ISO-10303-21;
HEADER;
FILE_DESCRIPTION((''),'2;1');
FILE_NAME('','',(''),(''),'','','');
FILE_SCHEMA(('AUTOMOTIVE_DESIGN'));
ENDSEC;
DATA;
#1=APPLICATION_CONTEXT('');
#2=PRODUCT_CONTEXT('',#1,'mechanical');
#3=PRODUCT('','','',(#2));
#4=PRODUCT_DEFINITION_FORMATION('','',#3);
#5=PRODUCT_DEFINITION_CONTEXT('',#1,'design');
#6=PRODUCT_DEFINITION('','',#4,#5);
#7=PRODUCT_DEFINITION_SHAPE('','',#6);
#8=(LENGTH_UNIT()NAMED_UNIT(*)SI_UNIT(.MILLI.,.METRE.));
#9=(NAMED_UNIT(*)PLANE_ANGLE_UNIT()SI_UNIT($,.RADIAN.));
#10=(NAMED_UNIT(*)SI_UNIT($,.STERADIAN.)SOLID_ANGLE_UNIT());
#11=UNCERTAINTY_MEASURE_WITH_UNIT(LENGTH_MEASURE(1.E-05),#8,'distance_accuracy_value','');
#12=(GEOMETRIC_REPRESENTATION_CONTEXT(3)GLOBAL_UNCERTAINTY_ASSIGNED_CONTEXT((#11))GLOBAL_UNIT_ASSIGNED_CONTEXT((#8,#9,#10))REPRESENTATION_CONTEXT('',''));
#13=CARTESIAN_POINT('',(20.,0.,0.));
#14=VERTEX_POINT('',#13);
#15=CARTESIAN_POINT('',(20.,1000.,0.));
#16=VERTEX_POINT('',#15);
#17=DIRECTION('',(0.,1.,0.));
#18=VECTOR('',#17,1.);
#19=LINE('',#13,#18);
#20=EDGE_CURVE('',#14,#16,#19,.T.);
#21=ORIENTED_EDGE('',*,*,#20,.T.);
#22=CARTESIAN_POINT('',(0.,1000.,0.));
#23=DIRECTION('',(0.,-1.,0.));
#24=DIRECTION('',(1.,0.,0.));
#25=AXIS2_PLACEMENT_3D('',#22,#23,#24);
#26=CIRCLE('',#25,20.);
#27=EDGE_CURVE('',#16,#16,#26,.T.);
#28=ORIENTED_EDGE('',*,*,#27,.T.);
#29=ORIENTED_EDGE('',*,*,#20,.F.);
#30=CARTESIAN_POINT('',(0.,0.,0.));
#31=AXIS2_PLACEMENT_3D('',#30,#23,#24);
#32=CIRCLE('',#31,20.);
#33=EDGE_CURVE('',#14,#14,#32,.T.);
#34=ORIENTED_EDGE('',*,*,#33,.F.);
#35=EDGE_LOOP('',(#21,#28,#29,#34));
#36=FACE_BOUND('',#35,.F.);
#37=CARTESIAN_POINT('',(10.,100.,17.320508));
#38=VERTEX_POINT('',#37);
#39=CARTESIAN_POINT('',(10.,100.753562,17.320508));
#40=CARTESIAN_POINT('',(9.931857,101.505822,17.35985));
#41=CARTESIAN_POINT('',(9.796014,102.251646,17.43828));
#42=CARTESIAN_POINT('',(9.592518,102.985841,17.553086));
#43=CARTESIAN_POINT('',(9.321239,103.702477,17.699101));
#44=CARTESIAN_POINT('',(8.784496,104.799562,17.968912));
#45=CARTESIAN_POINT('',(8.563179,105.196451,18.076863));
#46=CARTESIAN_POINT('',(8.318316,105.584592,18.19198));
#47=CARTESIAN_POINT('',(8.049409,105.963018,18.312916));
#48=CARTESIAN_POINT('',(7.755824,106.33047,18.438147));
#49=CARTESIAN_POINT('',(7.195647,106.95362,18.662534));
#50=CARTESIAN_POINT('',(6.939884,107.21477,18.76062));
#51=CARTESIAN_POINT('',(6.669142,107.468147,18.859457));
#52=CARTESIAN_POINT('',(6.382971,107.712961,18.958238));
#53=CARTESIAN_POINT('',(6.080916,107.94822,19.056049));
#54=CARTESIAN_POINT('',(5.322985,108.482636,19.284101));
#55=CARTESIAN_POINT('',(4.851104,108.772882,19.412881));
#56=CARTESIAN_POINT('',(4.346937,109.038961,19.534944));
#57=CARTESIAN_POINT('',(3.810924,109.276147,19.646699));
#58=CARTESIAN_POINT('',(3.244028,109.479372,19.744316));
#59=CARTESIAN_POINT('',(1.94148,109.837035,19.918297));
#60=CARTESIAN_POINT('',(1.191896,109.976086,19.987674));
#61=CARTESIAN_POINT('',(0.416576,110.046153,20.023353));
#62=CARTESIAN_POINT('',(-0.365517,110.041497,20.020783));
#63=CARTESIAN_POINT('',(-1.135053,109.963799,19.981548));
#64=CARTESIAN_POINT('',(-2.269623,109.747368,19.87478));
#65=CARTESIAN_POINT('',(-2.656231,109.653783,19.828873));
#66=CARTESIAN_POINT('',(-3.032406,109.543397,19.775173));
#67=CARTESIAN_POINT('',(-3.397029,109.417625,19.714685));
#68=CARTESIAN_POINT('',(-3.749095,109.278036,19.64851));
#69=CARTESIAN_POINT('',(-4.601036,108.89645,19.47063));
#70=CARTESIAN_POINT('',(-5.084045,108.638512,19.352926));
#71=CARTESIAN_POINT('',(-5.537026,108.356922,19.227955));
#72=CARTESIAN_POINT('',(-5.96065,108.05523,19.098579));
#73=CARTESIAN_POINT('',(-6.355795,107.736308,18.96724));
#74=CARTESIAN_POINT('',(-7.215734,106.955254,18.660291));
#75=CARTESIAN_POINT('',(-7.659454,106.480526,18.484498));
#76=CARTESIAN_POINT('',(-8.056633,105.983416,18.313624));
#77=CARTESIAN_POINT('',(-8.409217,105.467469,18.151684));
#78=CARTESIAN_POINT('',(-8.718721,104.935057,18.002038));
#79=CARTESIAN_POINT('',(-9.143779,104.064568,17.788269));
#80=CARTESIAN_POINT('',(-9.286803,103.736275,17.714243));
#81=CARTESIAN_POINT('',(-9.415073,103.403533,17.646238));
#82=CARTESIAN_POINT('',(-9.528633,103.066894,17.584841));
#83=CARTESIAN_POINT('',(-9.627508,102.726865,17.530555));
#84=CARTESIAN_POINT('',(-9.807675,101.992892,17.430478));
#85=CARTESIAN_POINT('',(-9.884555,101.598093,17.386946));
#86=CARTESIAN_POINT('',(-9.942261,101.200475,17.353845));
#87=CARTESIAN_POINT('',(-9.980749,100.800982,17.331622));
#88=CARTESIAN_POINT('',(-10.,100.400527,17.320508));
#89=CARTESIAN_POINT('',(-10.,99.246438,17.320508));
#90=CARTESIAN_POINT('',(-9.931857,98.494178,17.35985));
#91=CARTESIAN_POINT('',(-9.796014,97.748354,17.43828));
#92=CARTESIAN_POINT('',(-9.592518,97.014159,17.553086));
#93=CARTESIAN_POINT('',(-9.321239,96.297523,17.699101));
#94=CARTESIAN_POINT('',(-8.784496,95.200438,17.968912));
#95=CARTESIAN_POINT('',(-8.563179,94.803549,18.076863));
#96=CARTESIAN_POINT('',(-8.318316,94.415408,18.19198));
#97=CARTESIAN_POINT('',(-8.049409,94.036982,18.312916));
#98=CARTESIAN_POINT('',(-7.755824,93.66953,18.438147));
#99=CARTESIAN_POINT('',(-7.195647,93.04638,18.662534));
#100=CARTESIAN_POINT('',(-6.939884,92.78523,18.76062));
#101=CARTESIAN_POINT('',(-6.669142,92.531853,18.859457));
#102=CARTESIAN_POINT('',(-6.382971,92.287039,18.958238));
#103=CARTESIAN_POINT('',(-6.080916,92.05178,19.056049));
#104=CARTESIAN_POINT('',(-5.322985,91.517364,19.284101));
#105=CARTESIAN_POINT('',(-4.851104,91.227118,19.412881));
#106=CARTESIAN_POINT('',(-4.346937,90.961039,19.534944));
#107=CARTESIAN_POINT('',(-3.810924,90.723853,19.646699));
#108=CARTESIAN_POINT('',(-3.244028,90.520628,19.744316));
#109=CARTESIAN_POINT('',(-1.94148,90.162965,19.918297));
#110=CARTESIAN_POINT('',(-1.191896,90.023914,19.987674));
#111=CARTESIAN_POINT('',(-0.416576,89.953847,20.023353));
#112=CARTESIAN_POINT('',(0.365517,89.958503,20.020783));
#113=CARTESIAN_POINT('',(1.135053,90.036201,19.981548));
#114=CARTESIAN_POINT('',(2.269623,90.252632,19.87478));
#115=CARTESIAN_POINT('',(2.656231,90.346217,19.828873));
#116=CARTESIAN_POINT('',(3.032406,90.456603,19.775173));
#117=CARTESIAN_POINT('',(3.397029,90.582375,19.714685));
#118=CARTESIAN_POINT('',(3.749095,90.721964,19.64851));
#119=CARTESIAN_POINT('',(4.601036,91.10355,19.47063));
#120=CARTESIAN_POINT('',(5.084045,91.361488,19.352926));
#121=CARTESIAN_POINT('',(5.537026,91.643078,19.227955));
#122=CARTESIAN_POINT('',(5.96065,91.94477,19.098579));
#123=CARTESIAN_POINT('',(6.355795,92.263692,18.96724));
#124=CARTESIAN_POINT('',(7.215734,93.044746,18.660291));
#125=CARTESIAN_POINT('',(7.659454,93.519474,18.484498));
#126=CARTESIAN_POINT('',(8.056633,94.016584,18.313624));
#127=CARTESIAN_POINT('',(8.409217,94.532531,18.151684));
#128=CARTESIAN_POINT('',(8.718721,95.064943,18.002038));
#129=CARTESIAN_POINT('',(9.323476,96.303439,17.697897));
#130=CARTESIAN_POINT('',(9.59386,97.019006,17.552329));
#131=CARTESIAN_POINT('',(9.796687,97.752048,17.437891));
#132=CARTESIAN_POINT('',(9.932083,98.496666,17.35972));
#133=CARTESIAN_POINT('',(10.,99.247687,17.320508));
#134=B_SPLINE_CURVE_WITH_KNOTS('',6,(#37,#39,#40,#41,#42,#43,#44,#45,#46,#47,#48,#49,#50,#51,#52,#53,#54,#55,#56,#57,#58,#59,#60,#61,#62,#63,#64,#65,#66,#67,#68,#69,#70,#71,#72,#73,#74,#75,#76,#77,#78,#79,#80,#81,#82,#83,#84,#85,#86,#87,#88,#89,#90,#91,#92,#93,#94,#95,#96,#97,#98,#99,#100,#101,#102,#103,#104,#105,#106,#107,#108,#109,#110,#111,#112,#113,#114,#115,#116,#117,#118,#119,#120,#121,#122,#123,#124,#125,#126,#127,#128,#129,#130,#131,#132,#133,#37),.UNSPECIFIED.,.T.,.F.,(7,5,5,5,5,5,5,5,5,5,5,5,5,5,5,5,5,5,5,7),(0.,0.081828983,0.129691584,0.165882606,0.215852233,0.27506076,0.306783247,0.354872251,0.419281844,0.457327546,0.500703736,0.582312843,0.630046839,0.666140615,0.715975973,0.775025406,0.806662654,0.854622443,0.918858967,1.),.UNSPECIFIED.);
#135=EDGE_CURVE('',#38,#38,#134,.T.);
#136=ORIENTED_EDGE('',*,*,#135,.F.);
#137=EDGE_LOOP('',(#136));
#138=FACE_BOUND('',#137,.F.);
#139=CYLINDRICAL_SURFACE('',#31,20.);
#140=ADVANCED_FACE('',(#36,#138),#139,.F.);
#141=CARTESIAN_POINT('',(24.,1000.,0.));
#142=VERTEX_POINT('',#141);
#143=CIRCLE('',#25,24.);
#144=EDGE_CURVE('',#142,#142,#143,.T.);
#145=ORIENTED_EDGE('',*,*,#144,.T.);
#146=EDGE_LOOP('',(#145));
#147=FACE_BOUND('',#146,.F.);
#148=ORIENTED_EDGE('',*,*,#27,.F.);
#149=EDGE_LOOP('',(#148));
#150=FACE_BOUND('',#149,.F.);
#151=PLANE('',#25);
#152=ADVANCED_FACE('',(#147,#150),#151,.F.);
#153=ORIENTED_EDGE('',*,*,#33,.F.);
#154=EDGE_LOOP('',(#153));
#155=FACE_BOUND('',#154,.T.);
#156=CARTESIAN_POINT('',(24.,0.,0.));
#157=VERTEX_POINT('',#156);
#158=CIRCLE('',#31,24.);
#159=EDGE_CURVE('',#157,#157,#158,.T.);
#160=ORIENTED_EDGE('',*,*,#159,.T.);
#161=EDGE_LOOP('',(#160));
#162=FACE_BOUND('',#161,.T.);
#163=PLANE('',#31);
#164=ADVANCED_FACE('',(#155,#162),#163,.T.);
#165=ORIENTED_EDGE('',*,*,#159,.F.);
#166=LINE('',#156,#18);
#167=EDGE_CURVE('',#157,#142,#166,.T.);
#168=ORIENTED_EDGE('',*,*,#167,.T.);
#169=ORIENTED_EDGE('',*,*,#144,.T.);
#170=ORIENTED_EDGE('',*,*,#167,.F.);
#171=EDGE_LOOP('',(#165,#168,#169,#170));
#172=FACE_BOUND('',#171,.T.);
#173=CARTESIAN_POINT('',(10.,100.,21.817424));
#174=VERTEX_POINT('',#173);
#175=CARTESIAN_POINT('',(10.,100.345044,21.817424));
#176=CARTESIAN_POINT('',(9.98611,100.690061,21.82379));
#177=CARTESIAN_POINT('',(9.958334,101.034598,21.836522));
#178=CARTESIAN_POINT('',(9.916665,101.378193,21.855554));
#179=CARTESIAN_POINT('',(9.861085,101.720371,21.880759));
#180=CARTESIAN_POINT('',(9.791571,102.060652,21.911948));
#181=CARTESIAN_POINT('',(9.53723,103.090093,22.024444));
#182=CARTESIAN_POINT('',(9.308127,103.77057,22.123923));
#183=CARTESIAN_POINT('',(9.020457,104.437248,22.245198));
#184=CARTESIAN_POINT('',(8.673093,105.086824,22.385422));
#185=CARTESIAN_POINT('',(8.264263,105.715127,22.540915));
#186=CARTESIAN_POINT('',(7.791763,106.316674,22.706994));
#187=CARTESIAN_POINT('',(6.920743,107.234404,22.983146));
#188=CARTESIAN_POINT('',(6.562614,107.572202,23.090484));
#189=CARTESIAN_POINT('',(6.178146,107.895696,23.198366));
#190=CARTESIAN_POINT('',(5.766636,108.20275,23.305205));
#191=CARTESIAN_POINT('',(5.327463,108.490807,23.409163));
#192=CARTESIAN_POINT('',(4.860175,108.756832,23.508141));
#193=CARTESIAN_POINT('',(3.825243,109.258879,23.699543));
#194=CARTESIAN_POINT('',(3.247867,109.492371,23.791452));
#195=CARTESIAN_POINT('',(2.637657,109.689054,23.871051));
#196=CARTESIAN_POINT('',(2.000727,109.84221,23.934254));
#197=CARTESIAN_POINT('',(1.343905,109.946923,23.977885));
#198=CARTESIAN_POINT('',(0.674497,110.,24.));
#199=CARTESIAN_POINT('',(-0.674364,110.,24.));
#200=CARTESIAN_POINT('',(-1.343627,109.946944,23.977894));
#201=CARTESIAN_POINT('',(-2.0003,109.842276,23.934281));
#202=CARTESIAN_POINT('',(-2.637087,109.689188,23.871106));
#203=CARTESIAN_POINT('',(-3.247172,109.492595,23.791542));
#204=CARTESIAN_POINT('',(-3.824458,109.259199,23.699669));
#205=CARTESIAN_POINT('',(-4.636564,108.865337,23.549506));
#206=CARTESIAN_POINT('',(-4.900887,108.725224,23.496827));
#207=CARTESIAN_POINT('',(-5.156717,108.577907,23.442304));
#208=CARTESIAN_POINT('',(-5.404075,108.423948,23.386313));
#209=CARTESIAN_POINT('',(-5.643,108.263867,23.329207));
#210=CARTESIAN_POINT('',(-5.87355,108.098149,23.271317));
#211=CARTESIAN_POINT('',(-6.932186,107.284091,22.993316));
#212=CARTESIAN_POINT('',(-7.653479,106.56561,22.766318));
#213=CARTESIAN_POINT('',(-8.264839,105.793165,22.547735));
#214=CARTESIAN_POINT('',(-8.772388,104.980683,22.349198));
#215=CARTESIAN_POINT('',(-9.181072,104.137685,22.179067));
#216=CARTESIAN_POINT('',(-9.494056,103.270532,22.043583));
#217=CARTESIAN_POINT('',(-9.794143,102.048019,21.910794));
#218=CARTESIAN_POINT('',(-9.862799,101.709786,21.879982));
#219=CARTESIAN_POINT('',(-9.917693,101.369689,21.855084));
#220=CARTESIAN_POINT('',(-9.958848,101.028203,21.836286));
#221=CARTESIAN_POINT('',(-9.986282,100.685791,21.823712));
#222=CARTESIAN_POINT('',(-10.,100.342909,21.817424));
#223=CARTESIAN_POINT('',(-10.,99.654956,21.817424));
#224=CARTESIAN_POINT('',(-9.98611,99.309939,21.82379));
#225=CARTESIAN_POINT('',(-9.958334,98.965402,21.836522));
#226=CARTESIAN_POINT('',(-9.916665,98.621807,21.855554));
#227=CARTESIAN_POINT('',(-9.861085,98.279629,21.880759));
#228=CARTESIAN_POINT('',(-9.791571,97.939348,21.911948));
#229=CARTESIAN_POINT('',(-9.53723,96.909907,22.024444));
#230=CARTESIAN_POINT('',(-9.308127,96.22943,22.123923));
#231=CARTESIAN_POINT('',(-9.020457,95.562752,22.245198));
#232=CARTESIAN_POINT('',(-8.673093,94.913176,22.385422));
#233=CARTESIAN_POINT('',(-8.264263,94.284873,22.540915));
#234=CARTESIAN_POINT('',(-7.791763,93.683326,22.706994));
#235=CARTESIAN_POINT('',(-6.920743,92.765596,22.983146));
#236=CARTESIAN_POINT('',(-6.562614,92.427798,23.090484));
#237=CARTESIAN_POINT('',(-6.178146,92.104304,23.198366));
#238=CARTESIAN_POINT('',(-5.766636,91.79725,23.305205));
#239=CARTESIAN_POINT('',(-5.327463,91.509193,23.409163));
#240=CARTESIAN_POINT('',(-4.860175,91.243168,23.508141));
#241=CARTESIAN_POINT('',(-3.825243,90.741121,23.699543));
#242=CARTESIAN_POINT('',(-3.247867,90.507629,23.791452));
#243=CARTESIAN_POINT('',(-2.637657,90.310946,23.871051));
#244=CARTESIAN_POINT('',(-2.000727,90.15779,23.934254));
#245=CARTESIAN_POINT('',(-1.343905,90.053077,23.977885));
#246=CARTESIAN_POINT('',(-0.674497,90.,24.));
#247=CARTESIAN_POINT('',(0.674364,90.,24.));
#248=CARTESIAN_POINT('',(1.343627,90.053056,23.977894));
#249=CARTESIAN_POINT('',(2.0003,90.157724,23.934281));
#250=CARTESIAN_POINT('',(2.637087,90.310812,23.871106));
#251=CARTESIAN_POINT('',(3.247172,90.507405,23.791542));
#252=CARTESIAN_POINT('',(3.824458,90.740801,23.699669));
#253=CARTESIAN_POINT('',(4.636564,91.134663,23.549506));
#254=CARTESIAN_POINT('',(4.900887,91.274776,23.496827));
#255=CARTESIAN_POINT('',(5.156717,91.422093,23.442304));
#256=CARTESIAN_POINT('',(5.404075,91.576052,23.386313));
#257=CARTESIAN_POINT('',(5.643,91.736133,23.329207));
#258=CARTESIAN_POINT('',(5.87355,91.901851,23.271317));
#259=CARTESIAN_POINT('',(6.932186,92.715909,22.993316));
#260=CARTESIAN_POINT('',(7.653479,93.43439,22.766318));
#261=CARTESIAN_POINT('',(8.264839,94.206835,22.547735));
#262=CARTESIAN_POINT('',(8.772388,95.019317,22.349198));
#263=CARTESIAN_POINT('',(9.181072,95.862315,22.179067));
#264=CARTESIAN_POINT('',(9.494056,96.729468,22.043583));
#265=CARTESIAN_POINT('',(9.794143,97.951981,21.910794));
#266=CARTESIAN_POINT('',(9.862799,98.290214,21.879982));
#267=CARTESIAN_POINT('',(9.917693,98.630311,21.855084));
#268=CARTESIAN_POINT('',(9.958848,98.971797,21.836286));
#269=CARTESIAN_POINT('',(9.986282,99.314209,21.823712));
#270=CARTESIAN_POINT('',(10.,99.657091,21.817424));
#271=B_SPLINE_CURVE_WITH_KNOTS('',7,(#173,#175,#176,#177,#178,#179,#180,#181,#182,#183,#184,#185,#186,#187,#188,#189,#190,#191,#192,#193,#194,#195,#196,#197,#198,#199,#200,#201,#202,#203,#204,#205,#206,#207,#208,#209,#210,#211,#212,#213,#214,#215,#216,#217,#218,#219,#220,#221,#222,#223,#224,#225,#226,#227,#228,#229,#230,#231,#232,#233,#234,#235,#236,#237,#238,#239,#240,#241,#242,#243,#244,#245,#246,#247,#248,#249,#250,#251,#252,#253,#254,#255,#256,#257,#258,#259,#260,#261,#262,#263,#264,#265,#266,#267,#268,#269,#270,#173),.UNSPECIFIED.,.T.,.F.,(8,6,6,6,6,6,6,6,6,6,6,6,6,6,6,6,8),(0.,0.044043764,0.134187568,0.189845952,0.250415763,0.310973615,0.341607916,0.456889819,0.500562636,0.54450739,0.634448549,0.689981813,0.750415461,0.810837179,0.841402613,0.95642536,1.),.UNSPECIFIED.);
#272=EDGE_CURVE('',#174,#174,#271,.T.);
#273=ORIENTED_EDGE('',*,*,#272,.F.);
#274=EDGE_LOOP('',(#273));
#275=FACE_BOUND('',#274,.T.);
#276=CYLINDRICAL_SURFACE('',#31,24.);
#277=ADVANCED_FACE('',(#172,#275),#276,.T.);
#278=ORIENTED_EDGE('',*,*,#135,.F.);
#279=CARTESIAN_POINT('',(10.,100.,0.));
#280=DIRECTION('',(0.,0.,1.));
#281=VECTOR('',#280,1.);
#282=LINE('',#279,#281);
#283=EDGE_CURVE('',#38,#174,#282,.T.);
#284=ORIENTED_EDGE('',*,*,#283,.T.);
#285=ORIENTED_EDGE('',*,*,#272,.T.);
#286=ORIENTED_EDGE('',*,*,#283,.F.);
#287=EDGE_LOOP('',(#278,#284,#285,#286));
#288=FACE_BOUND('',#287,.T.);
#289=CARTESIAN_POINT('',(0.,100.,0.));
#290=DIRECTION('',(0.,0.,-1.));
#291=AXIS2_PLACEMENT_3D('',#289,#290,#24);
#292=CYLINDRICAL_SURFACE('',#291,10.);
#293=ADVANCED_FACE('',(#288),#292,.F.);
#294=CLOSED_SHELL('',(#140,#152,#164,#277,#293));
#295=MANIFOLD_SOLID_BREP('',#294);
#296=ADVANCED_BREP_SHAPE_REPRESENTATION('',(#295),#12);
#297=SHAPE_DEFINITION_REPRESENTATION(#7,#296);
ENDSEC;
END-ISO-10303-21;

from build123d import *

# Parameters (mm, degrees)
F0_R     = 24
F1_DEPTH = 1000
F2_R     = 20
F3_DEPTH = 1000.001
F4_R     = 10
F5_DEPTH = 25.4


with BuildPart() as f1:
    # F0 (on Front) → F1 (new body)
    with BuildSketch(Plane.XZ):
        Circle(F0_R)
    extrude(amount=-F1_DEPTH)

    # F2 (on Front) → F3 (cut, through all)
    with BuildSketch(Plane.XZ):
        Circle(F2_R)
    extrude(amount=-F3_DEPTH, mode=Mode.SUBTRACT)

    # F4 (on Top) → F5 (cut)
    with BuildSketch(Plane.XY):
        with Locations((0, 100)):
            Circle(F4_R)
    extrude(amount=F5_DEPTH, mode=Mode.SUBTRACT)


solid = f1.part
